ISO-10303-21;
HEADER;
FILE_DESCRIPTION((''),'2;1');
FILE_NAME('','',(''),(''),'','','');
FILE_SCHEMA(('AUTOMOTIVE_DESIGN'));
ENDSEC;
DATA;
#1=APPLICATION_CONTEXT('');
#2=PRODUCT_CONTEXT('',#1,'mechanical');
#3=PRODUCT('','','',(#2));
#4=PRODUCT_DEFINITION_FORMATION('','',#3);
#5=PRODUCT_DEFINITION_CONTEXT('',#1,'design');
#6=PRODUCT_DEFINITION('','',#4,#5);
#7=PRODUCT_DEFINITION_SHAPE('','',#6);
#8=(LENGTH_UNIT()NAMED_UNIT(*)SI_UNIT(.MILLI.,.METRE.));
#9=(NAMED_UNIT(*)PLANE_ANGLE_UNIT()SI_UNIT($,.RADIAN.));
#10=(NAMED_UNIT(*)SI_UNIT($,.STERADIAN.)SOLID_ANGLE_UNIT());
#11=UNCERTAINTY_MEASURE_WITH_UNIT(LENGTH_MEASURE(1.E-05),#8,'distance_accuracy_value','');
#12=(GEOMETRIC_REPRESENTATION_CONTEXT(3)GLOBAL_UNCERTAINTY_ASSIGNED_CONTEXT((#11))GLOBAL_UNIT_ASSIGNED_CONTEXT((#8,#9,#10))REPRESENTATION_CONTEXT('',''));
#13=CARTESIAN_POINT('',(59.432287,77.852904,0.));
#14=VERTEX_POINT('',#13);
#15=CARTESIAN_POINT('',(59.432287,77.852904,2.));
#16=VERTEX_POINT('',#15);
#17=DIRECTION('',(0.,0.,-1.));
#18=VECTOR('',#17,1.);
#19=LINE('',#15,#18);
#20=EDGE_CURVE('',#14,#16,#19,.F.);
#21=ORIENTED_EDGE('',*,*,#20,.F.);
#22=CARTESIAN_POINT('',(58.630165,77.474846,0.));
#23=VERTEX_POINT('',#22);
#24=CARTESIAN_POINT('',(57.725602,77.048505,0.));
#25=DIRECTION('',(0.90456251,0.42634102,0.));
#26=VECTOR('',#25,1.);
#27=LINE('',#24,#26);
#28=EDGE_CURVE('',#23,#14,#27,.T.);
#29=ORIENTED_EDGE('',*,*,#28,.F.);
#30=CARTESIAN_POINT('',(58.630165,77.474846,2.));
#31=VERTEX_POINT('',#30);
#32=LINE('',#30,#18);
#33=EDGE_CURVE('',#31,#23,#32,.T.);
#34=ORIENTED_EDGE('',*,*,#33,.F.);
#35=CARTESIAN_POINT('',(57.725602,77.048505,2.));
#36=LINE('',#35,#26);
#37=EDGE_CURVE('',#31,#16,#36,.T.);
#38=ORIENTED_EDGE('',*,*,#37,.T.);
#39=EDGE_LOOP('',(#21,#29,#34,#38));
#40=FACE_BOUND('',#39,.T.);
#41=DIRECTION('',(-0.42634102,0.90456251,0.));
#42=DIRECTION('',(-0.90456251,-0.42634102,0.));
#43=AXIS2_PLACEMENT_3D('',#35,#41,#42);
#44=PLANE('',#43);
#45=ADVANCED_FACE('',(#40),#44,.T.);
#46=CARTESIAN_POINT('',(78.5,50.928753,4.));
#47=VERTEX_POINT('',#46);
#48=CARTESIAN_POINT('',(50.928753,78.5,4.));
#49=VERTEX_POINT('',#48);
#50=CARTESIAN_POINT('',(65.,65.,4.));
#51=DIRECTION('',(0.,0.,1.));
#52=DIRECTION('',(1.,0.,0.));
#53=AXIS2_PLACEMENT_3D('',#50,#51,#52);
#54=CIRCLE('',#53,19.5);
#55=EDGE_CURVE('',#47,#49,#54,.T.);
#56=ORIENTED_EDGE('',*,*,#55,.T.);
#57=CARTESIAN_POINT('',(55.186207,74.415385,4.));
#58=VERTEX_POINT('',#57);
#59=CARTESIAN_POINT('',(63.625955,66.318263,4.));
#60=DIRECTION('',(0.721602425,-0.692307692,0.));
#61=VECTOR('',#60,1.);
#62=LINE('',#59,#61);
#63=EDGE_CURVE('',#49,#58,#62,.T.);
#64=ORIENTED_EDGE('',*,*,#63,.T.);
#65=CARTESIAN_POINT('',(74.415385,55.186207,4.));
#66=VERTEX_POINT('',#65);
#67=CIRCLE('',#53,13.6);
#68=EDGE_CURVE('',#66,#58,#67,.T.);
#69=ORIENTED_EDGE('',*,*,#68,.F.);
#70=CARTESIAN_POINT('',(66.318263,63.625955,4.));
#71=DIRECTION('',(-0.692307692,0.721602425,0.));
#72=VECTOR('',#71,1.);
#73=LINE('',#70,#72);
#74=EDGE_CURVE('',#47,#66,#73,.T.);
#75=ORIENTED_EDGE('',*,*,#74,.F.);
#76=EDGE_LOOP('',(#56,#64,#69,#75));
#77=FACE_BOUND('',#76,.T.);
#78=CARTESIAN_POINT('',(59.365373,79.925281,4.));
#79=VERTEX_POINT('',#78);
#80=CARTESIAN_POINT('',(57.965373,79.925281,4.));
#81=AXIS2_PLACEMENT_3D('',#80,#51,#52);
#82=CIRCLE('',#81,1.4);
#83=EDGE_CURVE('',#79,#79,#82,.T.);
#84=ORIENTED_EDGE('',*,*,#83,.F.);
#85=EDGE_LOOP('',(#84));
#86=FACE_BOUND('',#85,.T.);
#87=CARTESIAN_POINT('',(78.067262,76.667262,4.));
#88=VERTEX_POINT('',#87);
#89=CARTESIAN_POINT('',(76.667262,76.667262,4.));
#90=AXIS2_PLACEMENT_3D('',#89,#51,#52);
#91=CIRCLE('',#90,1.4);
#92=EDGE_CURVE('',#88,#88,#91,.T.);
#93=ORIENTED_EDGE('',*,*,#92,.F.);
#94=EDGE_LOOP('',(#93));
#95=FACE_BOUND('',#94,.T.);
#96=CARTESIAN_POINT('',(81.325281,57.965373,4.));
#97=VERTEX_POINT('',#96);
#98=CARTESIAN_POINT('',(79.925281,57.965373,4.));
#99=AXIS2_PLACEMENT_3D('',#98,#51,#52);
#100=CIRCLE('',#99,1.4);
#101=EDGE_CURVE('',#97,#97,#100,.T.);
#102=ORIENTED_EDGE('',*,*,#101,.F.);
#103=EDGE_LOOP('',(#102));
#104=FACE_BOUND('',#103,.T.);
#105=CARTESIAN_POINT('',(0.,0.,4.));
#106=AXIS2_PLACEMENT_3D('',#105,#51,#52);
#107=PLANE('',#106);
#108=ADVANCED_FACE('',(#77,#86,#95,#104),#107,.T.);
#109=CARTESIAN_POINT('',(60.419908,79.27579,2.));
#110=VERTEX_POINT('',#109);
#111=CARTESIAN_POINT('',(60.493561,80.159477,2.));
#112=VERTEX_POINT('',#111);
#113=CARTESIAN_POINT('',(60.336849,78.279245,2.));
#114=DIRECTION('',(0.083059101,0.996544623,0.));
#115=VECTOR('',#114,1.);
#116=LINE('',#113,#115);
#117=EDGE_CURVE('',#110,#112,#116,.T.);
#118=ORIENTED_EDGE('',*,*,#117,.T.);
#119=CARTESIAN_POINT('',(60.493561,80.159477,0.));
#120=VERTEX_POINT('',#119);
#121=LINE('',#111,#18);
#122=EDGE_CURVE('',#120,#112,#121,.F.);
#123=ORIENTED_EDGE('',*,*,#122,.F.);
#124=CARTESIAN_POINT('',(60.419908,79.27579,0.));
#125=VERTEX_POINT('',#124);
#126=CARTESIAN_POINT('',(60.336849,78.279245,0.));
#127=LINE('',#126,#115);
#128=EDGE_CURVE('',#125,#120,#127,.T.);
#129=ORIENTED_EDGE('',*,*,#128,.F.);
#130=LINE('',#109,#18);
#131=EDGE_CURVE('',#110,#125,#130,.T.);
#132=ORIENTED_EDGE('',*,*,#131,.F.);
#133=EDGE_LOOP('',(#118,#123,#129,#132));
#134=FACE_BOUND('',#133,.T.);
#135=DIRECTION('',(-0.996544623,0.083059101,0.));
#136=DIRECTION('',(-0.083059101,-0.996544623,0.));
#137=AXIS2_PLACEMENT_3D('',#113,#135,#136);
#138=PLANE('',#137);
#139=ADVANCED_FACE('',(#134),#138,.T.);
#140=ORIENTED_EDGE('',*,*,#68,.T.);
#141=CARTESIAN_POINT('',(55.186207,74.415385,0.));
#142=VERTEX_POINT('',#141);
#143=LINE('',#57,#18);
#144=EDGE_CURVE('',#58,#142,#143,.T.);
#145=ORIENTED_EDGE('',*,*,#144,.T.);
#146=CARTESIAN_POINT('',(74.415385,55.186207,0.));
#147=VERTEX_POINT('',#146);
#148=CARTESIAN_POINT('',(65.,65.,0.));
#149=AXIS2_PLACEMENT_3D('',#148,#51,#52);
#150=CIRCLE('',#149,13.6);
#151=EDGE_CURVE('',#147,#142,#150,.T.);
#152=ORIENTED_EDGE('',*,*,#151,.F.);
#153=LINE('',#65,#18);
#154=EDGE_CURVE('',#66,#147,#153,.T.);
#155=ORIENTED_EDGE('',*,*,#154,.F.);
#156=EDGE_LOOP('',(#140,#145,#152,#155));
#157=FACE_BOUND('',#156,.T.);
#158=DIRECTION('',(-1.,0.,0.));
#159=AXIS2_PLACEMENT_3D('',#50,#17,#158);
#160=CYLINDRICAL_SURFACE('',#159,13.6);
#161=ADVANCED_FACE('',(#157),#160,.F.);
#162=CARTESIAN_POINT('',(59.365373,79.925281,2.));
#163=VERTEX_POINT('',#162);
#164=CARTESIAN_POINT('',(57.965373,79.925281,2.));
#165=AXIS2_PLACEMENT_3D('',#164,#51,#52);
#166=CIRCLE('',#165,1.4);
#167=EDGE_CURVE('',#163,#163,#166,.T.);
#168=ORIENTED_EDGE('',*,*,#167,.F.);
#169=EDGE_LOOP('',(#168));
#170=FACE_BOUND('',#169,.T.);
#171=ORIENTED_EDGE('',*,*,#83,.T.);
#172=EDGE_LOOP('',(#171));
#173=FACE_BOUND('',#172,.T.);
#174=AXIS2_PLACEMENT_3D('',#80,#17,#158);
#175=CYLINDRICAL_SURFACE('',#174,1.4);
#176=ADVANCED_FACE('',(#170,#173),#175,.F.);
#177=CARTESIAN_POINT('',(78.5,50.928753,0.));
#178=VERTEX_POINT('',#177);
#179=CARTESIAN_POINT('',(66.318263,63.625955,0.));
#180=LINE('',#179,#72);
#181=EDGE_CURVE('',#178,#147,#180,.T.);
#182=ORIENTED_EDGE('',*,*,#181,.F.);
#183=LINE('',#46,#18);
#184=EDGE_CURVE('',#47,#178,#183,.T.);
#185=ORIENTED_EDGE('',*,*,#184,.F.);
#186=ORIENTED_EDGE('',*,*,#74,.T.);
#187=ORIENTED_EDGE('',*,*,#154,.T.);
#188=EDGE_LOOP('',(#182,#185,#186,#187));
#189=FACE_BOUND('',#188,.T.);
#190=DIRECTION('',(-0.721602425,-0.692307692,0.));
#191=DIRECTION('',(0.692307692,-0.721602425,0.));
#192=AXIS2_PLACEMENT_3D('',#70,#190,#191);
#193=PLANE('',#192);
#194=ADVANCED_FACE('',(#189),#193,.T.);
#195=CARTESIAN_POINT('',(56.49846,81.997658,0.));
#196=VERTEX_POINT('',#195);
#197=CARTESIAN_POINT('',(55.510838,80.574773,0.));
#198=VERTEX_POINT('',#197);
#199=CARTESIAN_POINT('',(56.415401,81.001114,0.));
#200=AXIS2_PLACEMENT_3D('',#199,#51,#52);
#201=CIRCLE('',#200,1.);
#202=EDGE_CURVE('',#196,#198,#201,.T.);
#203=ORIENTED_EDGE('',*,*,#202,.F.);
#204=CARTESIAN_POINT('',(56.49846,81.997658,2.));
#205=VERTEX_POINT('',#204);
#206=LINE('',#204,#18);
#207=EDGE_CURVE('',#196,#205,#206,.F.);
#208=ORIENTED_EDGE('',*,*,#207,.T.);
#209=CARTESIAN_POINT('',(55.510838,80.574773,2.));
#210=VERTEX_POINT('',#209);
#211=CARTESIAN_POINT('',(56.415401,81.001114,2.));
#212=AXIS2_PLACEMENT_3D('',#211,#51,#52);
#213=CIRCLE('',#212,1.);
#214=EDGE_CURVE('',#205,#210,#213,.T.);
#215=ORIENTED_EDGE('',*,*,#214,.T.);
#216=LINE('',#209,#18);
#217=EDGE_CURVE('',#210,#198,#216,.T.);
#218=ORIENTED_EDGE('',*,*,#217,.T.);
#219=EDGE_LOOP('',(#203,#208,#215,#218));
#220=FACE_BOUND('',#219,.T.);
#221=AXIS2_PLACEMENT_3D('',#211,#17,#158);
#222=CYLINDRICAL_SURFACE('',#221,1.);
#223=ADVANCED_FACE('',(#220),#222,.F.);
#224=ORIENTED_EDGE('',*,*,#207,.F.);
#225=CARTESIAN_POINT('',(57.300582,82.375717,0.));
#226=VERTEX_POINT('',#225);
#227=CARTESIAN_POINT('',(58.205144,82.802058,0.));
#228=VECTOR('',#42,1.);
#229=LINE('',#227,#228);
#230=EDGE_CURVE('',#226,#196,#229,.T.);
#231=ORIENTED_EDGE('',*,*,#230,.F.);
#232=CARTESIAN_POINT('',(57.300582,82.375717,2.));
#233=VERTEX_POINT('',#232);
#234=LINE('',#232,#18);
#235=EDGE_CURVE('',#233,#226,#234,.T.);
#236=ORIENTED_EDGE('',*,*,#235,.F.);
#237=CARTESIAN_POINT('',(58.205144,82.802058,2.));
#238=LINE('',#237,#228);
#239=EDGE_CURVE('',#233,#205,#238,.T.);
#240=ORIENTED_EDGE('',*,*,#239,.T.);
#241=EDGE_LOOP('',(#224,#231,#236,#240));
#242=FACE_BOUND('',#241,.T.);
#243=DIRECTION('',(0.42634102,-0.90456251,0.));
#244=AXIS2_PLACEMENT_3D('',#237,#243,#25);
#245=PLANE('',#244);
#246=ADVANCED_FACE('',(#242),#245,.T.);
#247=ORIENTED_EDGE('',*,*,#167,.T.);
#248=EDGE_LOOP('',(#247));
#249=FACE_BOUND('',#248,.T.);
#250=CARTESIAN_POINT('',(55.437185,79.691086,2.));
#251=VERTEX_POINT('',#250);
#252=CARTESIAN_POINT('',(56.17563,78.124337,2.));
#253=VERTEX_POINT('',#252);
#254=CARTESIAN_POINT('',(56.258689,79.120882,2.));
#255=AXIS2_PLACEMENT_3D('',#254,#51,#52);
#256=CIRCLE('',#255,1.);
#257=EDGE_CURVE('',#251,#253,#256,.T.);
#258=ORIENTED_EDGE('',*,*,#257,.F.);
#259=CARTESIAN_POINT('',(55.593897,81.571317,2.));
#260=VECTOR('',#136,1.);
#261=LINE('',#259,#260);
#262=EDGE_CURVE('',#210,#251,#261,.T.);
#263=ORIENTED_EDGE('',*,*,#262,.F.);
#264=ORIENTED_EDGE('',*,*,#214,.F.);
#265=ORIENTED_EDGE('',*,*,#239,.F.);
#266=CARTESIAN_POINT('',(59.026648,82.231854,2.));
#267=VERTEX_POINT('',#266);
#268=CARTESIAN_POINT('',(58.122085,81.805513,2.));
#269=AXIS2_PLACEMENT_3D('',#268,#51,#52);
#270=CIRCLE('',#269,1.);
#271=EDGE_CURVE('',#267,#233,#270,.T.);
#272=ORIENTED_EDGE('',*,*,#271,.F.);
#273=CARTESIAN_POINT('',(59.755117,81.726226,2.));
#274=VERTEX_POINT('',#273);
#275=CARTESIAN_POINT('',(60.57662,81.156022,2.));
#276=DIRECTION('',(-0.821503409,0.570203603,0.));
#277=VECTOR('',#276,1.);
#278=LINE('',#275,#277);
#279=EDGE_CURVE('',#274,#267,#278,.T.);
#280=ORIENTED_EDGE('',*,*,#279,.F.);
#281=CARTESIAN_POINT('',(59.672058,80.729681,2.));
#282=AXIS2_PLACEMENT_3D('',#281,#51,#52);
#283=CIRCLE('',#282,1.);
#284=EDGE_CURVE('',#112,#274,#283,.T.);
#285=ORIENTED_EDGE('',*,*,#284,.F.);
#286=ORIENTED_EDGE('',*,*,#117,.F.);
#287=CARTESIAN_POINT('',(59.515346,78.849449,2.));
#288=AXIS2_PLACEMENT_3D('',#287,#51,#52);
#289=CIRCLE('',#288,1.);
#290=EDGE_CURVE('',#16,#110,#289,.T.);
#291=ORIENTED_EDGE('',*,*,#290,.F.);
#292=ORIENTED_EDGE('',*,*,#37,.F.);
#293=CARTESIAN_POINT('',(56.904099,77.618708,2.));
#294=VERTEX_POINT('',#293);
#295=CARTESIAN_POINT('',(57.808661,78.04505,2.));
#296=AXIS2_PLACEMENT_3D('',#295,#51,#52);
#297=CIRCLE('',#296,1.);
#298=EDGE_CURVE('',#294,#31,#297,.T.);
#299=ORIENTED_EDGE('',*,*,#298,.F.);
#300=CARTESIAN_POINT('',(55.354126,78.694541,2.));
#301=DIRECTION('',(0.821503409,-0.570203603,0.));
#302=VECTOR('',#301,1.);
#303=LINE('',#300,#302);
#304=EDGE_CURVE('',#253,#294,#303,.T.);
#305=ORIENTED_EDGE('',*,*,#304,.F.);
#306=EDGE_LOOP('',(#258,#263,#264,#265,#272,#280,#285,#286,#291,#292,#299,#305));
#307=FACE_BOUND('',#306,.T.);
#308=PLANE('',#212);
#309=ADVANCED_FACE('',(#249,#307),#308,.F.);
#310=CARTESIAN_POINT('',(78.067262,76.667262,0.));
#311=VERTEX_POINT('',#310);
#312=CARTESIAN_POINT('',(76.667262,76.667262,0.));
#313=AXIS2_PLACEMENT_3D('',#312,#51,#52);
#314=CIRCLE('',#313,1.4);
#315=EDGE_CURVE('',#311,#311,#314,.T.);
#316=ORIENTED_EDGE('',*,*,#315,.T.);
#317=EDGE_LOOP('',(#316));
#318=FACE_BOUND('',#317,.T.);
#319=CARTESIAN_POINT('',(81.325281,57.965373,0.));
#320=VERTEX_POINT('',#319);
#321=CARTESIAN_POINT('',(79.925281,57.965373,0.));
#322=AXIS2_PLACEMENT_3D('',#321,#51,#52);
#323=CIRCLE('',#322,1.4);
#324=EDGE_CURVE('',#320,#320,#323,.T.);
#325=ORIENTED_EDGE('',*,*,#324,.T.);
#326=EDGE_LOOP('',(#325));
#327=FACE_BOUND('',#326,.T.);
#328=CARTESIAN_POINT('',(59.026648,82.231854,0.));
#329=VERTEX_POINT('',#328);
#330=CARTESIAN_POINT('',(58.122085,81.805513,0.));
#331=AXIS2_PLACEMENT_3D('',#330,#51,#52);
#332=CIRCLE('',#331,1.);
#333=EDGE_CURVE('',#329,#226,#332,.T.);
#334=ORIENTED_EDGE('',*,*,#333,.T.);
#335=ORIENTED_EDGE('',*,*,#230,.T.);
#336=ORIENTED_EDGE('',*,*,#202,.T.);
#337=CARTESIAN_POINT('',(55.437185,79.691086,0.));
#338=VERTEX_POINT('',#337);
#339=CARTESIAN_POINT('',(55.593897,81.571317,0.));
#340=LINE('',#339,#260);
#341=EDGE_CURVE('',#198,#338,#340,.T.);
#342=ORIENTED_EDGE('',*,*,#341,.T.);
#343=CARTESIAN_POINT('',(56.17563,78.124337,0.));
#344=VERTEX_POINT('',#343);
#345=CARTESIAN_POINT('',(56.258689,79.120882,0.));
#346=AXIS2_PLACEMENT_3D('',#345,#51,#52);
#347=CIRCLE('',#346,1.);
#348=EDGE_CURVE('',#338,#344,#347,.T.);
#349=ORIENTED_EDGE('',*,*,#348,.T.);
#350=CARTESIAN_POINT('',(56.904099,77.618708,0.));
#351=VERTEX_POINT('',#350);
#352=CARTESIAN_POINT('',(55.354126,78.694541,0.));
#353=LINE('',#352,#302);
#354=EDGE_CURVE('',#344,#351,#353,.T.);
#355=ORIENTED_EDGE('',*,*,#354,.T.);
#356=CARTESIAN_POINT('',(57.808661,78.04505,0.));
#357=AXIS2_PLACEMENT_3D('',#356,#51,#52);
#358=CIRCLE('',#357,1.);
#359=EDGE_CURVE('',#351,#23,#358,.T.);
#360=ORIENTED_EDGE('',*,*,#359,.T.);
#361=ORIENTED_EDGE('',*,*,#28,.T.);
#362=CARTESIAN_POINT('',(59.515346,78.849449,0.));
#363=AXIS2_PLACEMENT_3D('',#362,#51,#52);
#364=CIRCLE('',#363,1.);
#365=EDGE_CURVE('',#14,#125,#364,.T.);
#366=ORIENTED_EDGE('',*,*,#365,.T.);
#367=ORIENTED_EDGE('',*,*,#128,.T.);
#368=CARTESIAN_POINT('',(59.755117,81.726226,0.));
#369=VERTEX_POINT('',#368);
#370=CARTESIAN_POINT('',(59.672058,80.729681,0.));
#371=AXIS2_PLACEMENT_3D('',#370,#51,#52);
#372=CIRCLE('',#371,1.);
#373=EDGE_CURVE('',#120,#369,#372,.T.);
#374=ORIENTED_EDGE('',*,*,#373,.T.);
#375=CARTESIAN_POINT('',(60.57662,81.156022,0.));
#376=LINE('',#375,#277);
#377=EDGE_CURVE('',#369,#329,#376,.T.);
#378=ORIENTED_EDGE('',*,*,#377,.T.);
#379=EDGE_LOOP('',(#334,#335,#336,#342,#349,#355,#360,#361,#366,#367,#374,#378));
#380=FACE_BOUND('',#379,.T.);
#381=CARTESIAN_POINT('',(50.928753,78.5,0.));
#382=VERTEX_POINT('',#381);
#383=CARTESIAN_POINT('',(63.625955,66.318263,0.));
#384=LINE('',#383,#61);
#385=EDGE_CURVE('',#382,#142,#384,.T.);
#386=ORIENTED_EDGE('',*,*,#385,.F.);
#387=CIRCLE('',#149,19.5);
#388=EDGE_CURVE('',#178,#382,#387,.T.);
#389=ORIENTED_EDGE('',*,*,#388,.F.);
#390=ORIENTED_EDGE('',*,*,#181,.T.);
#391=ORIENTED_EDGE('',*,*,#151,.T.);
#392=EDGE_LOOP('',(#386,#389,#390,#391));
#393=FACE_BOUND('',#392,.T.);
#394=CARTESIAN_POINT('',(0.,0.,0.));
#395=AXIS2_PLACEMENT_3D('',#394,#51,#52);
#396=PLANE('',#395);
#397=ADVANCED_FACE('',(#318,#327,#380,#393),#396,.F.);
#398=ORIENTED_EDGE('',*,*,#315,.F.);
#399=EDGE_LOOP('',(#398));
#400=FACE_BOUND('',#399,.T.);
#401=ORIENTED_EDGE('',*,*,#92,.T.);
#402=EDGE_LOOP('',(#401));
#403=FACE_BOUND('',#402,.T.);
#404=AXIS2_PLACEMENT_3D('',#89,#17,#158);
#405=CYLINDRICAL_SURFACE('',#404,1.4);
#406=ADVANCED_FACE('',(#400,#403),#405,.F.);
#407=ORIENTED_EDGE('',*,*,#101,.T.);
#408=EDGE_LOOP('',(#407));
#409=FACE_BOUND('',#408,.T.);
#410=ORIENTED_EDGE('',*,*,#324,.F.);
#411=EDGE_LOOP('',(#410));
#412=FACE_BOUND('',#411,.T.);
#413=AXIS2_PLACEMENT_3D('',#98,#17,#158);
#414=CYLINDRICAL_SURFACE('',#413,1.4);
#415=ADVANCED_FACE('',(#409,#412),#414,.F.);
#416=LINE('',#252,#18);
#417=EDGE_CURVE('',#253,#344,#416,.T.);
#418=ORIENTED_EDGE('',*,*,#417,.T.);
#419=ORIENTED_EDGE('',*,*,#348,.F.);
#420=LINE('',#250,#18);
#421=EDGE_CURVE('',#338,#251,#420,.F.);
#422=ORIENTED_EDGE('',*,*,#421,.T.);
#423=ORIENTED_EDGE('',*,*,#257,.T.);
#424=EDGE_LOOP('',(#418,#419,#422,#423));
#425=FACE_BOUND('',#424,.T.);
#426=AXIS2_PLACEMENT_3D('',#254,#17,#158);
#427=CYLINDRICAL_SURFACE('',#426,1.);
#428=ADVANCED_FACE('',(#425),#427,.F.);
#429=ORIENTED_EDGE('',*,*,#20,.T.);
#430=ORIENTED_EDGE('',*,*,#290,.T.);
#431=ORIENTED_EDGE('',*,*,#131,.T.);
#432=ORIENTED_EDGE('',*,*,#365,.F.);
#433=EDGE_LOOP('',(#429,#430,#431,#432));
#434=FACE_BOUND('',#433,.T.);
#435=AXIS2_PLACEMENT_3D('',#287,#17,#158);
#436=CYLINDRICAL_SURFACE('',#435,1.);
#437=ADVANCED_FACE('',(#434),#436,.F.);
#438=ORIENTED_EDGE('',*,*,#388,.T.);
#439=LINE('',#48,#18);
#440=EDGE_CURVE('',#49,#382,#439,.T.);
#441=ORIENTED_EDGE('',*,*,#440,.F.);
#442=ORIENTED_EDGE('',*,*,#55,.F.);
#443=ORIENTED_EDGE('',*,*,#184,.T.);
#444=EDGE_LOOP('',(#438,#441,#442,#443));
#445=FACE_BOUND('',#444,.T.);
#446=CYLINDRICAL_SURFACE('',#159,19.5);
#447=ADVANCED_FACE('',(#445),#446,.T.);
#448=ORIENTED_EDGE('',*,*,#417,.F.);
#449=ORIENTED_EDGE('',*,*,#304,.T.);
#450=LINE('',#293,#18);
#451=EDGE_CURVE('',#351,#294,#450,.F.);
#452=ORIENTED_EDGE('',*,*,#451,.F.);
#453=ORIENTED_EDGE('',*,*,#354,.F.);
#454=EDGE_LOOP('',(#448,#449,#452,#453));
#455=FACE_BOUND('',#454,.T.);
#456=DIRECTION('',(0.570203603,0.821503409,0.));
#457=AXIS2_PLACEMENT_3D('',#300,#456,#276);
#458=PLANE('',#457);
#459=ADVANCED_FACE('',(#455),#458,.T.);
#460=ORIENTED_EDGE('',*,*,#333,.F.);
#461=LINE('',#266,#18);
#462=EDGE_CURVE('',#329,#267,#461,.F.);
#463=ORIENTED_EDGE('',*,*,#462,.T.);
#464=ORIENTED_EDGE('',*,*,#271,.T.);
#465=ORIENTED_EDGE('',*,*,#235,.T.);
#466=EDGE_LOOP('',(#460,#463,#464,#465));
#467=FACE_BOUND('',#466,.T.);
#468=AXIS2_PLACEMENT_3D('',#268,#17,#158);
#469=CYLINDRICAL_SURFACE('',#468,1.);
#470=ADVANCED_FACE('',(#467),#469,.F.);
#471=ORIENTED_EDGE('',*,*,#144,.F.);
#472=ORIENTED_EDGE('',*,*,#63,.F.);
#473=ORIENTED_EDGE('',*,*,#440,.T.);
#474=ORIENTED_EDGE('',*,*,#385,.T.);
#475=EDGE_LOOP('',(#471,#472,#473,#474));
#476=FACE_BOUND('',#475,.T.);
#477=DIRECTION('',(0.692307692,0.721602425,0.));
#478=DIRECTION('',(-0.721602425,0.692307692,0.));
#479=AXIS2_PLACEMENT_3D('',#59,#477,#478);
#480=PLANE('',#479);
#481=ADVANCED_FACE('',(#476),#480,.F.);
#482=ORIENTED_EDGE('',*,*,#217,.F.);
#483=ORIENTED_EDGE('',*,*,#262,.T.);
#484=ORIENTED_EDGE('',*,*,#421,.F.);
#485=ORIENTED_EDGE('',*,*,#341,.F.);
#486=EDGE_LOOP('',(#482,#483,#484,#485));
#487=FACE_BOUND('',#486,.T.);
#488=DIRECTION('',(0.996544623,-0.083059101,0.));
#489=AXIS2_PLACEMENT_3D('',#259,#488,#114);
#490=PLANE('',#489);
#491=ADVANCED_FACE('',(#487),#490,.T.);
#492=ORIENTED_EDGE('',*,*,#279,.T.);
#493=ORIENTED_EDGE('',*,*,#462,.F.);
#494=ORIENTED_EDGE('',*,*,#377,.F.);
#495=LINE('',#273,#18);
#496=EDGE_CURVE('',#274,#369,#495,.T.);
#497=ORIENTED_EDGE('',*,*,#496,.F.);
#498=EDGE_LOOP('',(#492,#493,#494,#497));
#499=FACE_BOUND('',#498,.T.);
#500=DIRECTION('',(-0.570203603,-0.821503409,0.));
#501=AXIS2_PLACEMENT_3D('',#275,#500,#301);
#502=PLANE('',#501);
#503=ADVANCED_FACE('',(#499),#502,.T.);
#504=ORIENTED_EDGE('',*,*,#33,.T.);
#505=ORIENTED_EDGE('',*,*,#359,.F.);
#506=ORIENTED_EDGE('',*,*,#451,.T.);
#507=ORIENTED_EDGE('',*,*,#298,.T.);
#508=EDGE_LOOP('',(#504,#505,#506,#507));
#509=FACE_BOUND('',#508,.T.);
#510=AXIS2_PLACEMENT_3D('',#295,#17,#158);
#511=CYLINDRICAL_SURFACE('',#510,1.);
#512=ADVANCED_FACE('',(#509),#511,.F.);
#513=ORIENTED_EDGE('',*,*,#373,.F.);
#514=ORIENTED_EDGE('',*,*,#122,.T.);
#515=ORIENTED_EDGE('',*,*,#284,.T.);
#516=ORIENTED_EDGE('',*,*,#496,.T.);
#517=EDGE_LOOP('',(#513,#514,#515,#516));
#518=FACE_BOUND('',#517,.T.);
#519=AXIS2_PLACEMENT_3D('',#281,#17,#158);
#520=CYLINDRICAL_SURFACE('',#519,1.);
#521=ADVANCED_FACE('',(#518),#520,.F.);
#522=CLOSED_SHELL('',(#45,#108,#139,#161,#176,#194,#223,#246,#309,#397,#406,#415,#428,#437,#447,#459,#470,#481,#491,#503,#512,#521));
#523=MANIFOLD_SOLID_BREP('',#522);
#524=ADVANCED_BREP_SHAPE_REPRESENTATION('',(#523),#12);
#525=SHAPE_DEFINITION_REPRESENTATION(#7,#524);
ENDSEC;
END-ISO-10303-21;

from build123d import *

# Parameters (mm, degrees)
SKETCH1_R      = 1.4
SHAPE_DEPTH    = 4
SKETCH2_R      = 1
NUT_CUTS_DEPTH = 2


with BuildPart() as part:
    # Sketch1 → Shape (new body)
    with BuildSketch(Plane.XY):
        with BuildLine():
            Line((74.415384615, 55.186207026), (78.5, 50.928752721))
            ThreePointArc((78.5, 50.928752721), (78.788582233, 78.788582233), (50.928752721, 78.5))
            Line((50.928752721, 78.5), (55.186207026, 74.415384615))
            ThreePointArc((55.186207026, 74.415384615), (70.07407211, 77.617994778), (78.6, 65))
            ThreePointArc((78.6, 65), (77.51018047, 59.665641124), (74.415384615, 55.186207026))
        make_face()
        with Locations((79.925281419, 57.965373175)):
            Circle(SKETCH1_R, mode=Mode.SUBTRACT)
        with Locations((57.965373175, 79.925281419)):
            Circle(SKETCH1_R, mode=Mode.SUBTRACT)
        with Locations((76.66726189, 76.66726189)):
            Circle(SKETCH1_R, mode=Mode.SUBTRACT)
    extrude(amount=SHAPE_DEPTH)

    # Sketch2 → Nut cuts (cut)
    with BuildSketch(Plane.XY):
        with Locations((56.258688641, 79.120881926)):
            Circle(SKETCH2_R)
        with Locations((56.415400513, 81.001113835)):
            Circle(SKETCH2_R)
        with Locations((58.122085046, 81.805513328)):
            Circle(SKETCH2_R)
        with Locations((59.672057709, 80.729680912)):
            Circle(SKETCH2_R)
        with Locations((59.515345837, 78.849449003)):
            Circle(SKETCH2_R)
        with Locations((57.808661304, 78.04504951)):
            Circle(SKETCH2_R)
        Polygon((60.576620219, 81.156021931), (58.205144148, 82.802057951), (55.593897104, 81.571317438), (55.354126131, 78.694540907), (57.725602202, 77.048504887), (60.336849246, 78.2792454), align=None)
    extrude(amount=NUT_CUTS_DEPTH, mode=Mode.SUBTRACT)


solid = part.part
